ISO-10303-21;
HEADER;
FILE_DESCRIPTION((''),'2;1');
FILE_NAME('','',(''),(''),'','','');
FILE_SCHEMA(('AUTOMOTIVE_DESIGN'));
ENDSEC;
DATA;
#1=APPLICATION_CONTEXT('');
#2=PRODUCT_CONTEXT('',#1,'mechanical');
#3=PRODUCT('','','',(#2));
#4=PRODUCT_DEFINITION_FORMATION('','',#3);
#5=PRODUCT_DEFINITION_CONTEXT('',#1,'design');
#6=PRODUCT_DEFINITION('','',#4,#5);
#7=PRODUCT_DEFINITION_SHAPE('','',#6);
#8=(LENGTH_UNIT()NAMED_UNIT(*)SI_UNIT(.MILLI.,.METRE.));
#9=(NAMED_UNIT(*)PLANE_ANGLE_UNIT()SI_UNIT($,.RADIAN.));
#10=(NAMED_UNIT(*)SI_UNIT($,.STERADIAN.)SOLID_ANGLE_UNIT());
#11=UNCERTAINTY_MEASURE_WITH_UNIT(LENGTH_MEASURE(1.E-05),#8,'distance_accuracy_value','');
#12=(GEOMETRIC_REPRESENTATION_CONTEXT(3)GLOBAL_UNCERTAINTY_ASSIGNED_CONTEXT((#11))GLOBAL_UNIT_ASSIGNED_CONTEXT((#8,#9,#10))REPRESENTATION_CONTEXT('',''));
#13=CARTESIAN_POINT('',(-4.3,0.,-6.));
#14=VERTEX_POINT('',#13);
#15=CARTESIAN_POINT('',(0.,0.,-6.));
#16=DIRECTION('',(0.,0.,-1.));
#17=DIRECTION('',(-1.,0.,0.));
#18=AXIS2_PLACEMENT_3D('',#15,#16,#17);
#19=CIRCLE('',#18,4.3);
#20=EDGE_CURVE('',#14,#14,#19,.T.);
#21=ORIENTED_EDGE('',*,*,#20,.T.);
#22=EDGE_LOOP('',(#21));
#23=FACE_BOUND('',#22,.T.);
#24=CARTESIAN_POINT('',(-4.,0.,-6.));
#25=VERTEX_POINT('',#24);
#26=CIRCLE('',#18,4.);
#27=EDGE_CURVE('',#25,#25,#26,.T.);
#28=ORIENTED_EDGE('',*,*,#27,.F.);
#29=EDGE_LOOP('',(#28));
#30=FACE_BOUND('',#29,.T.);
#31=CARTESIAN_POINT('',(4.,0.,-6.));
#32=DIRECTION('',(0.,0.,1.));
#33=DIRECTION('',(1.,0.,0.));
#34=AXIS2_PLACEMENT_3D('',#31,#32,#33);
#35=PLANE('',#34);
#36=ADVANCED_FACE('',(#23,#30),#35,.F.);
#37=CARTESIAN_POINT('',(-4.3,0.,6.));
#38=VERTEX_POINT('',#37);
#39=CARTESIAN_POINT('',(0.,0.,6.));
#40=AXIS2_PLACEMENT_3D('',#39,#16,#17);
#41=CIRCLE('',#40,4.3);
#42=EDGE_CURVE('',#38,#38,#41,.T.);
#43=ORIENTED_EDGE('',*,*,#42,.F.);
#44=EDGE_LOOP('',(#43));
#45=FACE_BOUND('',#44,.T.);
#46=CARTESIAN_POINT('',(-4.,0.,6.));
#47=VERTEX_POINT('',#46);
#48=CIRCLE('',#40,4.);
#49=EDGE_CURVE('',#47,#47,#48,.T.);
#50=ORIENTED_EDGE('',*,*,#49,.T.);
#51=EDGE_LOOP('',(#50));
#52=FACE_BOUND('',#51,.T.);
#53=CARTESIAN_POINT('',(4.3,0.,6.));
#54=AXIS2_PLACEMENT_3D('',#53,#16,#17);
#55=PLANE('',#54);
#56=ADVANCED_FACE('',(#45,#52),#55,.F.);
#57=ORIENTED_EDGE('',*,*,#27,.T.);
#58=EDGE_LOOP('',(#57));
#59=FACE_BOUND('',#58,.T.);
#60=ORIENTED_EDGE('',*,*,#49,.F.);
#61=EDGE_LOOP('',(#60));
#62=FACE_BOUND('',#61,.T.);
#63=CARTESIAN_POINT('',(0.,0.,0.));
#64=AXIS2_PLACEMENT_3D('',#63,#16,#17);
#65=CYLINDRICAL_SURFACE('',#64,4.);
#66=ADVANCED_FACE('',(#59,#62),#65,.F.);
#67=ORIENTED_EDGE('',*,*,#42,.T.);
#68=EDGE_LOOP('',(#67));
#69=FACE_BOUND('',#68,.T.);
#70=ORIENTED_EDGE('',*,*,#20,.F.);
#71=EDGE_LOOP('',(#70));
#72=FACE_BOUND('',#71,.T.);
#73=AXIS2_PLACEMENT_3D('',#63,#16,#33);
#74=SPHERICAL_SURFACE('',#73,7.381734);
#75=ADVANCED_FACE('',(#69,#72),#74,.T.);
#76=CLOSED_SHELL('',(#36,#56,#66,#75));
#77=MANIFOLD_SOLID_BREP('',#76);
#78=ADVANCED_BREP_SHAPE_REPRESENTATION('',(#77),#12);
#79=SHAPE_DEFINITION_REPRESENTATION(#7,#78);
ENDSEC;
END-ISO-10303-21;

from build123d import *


with BuildPart() as part:
    # Sketch1 → Revolve1 (revolve)
    with BuildSketch(Plane(origin=(0, 0, 0), x_dir=(1, 0, 0), z_dir=(0, 1, 0))):
        with BuildLine():
            Line((4, 6), (4, -6))
            Line((4, -6), (4.3, -6))
            ThreePointArc((4.3, -6), (7.381734214, 0), (4.3, 6))
            Line((4.3, 6), (4, 6))
        make_face()
    revolve(axis=Axis((0, 0, 0), (0, 0, 1)))


solid = part.part
